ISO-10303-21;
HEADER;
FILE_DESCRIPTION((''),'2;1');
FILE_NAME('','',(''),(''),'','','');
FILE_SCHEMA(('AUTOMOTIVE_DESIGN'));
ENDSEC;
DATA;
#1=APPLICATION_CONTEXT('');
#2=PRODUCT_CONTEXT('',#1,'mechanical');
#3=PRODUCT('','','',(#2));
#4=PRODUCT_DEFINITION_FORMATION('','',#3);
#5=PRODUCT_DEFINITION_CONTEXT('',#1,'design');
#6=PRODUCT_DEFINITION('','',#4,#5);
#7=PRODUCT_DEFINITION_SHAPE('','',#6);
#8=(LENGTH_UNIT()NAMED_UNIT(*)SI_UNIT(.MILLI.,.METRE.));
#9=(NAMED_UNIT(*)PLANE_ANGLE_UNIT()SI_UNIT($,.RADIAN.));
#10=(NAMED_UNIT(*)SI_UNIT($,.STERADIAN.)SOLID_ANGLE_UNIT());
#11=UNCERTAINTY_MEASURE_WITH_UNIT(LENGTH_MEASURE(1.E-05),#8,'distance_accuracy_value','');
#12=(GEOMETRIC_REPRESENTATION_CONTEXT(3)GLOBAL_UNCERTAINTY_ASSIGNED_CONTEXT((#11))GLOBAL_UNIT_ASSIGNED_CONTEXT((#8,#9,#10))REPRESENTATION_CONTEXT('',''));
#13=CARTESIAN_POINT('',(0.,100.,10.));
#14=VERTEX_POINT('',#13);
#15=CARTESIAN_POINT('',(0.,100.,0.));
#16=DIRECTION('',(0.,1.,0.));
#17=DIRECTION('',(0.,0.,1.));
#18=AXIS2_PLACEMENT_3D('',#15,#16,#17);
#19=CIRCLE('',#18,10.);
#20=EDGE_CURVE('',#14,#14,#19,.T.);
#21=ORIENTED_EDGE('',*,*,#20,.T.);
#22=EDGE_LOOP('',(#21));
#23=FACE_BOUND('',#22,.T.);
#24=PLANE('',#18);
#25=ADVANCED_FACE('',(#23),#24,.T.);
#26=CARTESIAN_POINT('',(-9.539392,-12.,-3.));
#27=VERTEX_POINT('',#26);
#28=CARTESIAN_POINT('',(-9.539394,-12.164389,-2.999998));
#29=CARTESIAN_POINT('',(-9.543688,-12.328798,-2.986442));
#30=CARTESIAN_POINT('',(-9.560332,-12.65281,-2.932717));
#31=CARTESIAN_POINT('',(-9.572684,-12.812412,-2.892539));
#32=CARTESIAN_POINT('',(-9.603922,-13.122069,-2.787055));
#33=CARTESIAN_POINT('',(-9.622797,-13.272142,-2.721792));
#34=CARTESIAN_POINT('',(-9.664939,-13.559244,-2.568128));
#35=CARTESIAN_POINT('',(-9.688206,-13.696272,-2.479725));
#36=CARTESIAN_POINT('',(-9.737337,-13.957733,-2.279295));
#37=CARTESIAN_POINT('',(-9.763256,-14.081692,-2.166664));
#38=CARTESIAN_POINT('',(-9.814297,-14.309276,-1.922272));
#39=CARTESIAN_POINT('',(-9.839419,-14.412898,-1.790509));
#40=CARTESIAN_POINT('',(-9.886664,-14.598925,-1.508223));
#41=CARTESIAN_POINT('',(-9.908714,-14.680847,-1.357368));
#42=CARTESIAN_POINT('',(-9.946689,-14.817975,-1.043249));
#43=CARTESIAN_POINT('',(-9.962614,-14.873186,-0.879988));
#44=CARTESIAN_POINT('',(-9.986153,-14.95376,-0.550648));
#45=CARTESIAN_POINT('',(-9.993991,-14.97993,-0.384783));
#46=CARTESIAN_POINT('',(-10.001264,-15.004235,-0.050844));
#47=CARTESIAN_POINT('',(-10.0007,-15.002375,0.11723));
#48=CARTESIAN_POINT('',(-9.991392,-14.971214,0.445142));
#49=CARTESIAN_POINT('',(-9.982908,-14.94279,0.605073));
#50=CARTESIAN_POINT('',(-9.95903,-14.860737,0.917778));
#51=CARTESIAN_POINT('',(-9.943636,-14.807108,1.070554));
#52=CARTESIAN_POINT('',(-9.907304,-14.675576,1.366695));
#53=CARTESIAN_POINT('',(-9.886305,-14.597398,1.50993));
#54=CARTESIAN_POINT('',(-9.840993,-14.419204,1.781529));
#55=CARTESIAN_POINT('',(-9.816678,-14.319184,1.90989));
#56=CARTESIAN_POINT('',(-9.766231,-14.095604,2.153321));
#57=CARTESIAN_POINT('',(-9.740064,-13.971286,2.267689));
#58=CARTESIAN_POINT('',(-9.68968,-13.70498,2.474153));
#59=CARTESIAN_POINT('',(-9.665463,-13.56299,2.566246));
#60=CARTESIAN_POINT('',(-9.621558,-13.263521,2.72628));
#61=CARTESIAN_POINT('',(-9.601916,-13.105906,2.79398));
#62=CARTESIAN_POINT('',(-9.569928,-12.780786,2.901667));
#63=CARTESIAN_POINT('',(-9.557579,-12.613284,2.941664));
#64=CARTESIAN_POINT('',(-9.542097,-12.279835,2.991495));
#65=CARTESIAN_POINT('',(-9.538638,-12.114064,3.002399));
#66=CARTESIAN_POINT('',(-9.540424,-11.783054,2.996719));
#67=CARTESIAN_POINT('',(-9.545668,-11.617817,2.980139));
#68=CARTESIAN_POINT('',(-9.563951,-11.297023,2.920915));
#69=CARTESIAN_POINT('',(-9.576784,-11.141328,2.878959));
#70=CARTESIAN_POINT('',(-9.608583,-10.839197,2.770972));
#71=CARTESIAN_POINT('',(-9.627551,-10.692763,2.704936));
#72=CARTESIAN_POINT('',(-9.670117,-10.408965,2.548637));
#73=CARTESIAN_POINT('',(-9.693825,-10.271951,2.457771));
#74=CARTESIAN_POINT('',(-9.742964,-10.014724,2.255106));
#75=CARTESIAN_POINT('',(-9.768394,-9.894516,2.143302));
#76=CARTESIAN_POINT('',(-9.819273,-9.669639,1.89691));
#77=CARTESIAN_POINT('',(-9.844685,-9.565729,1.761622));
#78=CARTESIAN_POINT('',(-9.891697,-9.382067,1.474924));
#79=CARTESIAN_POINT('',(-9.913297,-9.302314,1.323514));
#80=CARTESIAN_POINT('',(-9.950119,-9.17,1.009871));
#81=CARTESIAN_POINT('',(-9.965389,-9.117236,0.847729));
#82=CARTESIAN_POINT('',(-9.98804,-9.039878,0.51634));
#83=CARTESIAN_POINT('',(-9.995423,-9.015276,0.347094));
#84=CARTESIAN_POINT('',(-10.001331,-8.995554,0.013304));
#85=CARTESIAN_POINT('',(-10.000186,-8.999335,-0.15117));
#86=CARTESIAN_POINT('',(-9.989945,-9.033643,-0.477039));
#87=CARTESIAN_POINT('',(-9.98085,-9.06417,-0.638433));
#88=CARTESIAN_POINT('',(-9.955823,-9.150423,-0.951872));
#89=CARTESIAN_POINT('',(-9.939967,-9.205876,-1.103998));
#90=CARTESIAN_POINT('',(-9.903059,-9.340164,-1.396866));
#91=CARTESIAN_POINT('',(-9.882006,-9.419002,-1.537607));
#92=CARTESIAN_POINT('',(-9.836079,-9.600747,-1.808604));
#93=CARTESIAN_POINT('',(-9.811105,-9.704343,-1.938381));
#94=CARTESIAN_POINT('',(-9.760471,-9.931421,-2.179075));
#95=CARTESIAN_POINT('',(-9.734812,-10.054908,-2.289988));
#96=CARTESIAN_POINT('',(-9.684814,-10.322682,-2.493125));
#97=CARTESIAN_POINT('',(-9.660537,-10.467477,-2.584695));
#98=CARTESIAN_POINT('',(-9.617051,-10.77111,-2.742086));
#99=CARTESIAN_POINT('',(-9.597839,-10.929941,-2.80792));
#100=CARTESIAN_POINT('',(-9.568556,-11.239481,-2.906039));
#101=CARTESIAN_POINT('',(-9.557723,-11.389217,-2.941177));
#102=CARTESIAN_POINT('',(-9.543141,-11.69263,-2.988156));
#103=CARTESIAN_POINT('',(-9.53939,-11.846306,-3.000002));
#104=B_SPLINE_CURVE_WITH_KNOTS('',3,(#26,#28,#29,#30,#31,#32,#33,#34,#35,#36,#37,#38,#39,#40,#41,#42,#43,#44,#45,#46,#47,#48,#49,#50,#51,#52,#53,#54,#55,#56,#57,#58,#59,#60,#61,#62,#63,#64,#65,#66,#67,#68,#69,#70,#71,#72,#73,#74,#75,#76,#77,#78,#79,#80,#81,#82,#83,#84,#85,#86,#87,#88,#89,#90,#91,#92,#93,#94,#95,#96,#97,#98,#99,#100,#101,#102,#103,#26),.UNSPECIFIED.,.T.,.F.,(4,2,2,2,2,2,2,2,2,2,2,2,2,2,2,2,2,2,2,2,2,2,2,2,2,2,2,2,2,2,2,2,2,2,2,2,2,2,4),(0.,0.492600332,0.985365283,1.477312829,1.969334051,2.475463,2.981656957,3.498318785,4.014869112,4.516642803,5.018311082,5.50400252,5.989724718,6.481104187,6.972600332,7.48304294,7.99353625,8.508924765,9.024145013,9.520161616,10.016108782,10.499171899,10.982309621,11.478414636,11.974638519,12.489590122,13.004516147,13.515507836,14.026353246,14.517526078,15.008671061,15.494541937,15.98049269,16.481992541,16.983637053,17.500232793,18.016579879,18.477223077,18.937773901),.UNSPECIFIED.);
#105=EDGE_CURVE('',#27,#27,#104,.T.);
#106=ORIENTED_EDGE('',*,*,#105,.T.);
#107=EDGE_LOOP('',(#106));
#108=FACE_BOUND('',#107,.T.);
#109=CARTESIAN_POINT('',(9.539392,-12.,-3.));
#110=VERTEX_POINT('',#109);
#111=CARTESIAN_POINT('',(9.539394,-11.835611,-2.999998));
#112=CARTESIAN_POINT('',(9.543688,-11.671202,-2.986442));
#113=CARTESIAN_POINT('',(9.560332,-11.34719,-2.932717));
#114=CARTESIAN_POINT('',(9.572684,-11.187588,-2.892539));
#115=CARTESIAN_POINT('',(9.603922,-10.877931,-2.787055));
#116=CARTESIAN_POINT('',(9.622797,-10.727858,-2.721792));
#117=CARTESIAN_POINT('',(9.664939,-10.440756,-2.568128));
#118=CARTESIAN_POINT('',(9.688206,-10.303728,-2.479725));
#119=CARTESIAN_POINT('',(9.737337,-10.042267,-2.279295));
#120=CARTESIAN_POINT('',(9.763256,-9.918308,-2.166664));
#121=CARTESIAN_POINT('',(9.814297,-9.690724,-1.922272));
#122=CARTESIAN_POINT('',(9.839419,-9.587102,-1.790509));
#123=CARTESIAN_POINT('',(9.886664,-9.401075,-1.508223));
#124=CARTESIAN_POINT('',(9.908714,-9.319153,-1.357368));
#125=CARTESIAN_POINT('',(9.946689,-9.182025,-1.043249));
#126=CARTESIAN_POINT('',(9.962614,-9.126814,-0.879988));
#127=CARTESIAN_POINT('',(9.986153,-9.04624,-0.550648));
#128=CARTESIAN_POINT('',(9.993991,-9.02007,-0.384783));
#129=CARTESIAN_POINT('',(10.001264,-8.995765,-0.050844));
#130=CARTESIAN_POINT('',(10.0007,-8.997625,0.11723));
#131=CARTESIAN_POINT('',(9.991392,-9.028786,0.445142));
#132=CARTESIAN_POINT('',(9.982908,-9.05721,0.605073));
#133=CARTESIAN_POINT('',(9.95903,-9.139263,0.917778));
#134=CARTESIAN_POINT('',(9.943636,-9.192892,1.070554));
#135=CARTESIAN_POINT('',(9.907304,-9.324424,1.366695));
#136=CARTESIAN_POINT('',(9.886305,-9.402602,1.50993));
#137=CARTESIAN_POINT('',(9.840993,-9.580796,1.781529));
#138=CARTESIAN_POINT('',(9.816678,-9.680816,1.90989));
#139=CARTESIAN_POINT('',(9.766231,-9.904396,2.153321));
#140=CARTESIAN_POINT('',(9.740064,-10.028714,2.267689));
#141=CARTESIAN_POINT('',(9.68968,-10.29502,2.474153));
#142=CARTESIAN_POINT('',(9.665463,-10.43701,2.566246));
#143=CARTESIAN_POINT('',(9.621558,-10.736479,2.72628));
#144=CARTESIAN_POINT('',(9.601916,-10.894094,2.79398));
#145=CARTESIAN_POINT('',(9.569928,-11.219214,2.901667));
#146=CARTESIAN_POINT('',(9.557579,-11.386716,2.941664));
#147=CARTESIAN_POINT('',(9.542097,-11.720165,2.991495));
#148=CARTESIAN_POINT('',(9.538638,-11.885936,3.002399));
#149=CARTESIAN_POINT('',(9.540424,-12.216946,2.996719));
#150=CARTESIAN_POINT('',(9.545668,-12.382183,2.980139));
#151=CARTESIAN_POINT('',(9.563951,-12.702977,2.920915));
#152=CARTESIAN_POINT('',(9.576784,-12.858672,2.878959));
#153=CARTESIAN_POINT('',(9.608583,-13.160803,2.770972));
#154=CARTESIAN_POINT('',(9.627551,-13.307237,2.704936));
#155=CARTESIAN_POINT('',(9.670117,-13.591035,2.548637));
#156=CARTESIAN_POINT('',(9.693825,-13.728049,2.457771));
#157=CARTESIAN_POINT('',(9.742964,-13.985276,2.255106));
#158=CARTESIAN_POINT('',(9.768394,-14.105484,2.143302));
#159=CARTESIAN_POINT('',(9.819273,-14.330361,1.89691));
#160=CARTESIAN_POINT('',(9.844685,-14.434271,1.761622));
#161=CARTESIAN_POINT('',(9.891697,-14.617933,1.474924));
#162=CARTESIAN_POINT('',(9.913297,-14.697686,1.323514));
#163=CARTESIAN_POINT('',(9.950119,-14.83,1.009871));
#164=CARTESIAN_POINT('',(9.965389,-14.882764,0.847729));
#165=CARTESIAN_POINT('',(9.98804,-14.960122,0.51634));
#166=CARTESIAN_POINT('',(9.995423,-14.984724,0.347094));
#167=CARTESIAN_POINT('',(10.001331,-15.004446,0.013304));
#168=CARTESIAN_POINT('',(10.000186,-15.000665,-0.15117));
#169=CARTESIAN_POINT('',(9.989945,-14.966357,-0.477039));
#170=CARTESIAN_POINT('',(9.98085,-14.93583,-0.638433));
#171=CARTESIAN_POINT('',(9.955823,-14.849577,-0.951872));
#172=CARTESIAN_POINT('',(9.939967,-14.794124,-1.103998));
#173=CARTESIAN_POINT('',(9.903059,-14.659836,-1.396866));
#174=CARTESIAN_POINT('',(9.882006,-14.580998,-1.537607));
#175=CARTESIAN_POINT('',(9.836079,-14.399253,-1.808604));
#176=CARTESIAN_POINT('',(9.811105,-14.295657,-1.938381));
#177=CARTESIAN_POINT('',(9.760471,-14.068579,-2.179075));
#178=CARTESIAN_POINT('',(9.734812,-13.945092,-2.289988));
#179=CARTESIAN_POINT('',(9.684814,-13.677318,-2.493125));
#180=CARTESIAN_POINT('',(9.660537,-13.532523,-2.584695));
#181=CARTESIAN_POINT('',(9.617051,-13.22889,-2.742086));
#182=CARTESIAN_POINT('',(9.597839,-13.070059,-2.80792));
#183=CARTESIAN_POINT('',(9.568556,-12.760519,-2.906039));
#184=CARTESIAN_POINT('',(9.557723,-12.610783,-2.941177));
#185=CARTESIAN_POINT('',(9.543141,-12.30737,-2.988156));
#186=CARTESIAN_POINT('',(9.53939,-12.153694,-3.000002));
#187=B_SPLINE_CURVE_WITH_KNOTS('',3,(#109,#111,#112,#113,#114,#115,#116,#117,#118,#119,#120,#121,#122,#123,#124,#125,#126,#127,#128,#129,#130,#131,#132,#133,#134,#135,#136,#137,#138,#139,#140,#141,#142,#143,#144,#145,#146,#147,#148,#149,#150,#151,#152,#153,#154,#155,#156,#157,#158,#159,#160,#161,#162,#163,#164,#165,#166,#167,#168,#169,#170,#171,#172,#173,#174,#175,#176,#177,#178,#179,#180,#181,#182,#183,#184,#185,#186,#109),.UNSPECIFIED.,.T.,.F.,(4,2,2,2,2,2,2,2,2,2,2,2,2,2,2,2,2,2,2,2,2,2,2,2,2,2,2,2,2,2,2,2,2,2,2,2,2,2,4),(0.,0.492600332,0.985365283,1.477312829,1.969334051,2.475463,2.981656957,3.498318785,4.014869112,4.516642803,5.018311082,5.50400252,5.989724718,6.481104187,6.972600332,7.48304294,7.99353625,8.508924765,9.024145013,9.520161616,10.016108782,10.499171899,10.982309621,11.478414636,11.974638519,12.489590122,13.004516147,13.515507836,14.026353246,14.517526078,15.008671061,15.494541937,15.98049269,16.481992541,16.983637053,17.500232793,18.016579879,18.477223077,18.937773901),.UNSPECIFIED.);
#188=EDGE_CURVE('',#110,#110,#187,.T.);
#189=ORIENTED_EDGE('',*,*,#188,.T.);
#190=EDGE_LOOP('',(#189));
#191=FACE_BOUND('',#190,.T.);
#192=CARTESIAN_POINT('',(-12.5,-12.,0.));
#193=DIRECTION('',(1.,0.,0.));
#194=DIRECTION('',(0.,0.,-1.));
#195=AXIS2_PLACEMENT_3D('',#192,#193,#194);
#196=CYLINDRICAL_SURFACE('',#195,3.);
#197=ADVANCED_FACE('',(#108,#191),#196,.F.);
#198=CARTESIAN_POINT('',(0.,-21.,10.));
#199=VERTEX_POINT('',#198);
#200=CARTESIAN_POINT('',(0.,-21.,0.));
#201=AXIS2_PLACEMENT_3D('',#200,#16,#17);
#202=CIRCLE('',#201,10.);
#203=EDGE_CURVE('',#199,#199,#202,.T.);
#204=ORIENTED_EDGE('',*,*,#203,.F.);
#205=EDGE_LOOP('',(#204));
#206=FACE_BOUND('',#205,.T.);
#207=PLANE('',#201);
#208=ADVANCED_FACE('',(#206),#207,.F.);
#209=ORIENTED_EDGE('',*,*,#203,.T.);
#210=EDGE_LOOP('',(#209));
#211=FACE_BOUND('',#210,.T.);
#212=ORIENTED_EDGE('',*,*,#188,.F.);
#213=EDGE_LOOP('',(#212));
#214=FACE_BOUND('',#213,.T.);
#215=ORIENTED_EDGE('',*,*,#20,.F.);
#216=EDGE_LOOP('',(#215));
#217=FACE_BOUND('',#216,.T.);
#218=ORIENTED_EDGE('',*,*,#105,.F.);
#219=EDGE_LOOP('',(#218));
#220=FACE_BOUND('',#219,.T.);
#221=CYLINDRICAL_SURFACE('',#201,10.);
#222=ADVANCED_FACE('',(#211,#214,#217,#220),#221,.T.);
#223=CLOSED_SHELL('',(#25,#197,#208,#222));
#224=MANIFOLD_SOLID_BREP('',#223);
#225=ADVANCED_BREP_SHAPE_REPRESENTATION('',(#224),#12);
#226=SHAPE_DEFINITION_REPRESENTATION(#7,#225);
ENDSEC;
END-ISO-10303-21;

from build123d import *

# Parameters (mm, degrees)
CROQUIS1_R                   = 10
SALIENTE_EXTRUIR1_DEPTH      = 100
SALIENTE_EXTRUIR1_DEPTH_BACK = 21
CROQUIS2_R                   = 3
CORTAR_EXTRUIR1_DEPTH        = 12.5


with BuildPart() as part:
    # Croquis1 → Saliente-Extruir1 (new body, two sides)
    with BuildSketch(Plane(origin=(0, 0, 0), x_dir=(1, 0, 0), z_dir=(0, 1, 0))) as saliente_extruir1_sk:
        Circle(CROQUIS1_R)
    extrude(amount=SALIENTE_EXTRUIR1_DEPTH)
    extrude(saliente_extruir1_sk.sketch, amount=-SALIENTE_EXTRUIR1_DEPTH_BACK)

    # Croquis2 → Cortar-Extruir1 (cut, symmetric)
    with BuildSketch(Plane(origin=(0, 0, 0), x_dir=(0, 0, -1), z_dir=(1, 0, 0))):
        with Locations((0, -12)):
            Circle(CROQUIS2_R)
    extrude(amount=CORTAR_EXTRUIR1_DEPTH, both=True, mode=Mode.SUBTRACT)


solid = part.part
